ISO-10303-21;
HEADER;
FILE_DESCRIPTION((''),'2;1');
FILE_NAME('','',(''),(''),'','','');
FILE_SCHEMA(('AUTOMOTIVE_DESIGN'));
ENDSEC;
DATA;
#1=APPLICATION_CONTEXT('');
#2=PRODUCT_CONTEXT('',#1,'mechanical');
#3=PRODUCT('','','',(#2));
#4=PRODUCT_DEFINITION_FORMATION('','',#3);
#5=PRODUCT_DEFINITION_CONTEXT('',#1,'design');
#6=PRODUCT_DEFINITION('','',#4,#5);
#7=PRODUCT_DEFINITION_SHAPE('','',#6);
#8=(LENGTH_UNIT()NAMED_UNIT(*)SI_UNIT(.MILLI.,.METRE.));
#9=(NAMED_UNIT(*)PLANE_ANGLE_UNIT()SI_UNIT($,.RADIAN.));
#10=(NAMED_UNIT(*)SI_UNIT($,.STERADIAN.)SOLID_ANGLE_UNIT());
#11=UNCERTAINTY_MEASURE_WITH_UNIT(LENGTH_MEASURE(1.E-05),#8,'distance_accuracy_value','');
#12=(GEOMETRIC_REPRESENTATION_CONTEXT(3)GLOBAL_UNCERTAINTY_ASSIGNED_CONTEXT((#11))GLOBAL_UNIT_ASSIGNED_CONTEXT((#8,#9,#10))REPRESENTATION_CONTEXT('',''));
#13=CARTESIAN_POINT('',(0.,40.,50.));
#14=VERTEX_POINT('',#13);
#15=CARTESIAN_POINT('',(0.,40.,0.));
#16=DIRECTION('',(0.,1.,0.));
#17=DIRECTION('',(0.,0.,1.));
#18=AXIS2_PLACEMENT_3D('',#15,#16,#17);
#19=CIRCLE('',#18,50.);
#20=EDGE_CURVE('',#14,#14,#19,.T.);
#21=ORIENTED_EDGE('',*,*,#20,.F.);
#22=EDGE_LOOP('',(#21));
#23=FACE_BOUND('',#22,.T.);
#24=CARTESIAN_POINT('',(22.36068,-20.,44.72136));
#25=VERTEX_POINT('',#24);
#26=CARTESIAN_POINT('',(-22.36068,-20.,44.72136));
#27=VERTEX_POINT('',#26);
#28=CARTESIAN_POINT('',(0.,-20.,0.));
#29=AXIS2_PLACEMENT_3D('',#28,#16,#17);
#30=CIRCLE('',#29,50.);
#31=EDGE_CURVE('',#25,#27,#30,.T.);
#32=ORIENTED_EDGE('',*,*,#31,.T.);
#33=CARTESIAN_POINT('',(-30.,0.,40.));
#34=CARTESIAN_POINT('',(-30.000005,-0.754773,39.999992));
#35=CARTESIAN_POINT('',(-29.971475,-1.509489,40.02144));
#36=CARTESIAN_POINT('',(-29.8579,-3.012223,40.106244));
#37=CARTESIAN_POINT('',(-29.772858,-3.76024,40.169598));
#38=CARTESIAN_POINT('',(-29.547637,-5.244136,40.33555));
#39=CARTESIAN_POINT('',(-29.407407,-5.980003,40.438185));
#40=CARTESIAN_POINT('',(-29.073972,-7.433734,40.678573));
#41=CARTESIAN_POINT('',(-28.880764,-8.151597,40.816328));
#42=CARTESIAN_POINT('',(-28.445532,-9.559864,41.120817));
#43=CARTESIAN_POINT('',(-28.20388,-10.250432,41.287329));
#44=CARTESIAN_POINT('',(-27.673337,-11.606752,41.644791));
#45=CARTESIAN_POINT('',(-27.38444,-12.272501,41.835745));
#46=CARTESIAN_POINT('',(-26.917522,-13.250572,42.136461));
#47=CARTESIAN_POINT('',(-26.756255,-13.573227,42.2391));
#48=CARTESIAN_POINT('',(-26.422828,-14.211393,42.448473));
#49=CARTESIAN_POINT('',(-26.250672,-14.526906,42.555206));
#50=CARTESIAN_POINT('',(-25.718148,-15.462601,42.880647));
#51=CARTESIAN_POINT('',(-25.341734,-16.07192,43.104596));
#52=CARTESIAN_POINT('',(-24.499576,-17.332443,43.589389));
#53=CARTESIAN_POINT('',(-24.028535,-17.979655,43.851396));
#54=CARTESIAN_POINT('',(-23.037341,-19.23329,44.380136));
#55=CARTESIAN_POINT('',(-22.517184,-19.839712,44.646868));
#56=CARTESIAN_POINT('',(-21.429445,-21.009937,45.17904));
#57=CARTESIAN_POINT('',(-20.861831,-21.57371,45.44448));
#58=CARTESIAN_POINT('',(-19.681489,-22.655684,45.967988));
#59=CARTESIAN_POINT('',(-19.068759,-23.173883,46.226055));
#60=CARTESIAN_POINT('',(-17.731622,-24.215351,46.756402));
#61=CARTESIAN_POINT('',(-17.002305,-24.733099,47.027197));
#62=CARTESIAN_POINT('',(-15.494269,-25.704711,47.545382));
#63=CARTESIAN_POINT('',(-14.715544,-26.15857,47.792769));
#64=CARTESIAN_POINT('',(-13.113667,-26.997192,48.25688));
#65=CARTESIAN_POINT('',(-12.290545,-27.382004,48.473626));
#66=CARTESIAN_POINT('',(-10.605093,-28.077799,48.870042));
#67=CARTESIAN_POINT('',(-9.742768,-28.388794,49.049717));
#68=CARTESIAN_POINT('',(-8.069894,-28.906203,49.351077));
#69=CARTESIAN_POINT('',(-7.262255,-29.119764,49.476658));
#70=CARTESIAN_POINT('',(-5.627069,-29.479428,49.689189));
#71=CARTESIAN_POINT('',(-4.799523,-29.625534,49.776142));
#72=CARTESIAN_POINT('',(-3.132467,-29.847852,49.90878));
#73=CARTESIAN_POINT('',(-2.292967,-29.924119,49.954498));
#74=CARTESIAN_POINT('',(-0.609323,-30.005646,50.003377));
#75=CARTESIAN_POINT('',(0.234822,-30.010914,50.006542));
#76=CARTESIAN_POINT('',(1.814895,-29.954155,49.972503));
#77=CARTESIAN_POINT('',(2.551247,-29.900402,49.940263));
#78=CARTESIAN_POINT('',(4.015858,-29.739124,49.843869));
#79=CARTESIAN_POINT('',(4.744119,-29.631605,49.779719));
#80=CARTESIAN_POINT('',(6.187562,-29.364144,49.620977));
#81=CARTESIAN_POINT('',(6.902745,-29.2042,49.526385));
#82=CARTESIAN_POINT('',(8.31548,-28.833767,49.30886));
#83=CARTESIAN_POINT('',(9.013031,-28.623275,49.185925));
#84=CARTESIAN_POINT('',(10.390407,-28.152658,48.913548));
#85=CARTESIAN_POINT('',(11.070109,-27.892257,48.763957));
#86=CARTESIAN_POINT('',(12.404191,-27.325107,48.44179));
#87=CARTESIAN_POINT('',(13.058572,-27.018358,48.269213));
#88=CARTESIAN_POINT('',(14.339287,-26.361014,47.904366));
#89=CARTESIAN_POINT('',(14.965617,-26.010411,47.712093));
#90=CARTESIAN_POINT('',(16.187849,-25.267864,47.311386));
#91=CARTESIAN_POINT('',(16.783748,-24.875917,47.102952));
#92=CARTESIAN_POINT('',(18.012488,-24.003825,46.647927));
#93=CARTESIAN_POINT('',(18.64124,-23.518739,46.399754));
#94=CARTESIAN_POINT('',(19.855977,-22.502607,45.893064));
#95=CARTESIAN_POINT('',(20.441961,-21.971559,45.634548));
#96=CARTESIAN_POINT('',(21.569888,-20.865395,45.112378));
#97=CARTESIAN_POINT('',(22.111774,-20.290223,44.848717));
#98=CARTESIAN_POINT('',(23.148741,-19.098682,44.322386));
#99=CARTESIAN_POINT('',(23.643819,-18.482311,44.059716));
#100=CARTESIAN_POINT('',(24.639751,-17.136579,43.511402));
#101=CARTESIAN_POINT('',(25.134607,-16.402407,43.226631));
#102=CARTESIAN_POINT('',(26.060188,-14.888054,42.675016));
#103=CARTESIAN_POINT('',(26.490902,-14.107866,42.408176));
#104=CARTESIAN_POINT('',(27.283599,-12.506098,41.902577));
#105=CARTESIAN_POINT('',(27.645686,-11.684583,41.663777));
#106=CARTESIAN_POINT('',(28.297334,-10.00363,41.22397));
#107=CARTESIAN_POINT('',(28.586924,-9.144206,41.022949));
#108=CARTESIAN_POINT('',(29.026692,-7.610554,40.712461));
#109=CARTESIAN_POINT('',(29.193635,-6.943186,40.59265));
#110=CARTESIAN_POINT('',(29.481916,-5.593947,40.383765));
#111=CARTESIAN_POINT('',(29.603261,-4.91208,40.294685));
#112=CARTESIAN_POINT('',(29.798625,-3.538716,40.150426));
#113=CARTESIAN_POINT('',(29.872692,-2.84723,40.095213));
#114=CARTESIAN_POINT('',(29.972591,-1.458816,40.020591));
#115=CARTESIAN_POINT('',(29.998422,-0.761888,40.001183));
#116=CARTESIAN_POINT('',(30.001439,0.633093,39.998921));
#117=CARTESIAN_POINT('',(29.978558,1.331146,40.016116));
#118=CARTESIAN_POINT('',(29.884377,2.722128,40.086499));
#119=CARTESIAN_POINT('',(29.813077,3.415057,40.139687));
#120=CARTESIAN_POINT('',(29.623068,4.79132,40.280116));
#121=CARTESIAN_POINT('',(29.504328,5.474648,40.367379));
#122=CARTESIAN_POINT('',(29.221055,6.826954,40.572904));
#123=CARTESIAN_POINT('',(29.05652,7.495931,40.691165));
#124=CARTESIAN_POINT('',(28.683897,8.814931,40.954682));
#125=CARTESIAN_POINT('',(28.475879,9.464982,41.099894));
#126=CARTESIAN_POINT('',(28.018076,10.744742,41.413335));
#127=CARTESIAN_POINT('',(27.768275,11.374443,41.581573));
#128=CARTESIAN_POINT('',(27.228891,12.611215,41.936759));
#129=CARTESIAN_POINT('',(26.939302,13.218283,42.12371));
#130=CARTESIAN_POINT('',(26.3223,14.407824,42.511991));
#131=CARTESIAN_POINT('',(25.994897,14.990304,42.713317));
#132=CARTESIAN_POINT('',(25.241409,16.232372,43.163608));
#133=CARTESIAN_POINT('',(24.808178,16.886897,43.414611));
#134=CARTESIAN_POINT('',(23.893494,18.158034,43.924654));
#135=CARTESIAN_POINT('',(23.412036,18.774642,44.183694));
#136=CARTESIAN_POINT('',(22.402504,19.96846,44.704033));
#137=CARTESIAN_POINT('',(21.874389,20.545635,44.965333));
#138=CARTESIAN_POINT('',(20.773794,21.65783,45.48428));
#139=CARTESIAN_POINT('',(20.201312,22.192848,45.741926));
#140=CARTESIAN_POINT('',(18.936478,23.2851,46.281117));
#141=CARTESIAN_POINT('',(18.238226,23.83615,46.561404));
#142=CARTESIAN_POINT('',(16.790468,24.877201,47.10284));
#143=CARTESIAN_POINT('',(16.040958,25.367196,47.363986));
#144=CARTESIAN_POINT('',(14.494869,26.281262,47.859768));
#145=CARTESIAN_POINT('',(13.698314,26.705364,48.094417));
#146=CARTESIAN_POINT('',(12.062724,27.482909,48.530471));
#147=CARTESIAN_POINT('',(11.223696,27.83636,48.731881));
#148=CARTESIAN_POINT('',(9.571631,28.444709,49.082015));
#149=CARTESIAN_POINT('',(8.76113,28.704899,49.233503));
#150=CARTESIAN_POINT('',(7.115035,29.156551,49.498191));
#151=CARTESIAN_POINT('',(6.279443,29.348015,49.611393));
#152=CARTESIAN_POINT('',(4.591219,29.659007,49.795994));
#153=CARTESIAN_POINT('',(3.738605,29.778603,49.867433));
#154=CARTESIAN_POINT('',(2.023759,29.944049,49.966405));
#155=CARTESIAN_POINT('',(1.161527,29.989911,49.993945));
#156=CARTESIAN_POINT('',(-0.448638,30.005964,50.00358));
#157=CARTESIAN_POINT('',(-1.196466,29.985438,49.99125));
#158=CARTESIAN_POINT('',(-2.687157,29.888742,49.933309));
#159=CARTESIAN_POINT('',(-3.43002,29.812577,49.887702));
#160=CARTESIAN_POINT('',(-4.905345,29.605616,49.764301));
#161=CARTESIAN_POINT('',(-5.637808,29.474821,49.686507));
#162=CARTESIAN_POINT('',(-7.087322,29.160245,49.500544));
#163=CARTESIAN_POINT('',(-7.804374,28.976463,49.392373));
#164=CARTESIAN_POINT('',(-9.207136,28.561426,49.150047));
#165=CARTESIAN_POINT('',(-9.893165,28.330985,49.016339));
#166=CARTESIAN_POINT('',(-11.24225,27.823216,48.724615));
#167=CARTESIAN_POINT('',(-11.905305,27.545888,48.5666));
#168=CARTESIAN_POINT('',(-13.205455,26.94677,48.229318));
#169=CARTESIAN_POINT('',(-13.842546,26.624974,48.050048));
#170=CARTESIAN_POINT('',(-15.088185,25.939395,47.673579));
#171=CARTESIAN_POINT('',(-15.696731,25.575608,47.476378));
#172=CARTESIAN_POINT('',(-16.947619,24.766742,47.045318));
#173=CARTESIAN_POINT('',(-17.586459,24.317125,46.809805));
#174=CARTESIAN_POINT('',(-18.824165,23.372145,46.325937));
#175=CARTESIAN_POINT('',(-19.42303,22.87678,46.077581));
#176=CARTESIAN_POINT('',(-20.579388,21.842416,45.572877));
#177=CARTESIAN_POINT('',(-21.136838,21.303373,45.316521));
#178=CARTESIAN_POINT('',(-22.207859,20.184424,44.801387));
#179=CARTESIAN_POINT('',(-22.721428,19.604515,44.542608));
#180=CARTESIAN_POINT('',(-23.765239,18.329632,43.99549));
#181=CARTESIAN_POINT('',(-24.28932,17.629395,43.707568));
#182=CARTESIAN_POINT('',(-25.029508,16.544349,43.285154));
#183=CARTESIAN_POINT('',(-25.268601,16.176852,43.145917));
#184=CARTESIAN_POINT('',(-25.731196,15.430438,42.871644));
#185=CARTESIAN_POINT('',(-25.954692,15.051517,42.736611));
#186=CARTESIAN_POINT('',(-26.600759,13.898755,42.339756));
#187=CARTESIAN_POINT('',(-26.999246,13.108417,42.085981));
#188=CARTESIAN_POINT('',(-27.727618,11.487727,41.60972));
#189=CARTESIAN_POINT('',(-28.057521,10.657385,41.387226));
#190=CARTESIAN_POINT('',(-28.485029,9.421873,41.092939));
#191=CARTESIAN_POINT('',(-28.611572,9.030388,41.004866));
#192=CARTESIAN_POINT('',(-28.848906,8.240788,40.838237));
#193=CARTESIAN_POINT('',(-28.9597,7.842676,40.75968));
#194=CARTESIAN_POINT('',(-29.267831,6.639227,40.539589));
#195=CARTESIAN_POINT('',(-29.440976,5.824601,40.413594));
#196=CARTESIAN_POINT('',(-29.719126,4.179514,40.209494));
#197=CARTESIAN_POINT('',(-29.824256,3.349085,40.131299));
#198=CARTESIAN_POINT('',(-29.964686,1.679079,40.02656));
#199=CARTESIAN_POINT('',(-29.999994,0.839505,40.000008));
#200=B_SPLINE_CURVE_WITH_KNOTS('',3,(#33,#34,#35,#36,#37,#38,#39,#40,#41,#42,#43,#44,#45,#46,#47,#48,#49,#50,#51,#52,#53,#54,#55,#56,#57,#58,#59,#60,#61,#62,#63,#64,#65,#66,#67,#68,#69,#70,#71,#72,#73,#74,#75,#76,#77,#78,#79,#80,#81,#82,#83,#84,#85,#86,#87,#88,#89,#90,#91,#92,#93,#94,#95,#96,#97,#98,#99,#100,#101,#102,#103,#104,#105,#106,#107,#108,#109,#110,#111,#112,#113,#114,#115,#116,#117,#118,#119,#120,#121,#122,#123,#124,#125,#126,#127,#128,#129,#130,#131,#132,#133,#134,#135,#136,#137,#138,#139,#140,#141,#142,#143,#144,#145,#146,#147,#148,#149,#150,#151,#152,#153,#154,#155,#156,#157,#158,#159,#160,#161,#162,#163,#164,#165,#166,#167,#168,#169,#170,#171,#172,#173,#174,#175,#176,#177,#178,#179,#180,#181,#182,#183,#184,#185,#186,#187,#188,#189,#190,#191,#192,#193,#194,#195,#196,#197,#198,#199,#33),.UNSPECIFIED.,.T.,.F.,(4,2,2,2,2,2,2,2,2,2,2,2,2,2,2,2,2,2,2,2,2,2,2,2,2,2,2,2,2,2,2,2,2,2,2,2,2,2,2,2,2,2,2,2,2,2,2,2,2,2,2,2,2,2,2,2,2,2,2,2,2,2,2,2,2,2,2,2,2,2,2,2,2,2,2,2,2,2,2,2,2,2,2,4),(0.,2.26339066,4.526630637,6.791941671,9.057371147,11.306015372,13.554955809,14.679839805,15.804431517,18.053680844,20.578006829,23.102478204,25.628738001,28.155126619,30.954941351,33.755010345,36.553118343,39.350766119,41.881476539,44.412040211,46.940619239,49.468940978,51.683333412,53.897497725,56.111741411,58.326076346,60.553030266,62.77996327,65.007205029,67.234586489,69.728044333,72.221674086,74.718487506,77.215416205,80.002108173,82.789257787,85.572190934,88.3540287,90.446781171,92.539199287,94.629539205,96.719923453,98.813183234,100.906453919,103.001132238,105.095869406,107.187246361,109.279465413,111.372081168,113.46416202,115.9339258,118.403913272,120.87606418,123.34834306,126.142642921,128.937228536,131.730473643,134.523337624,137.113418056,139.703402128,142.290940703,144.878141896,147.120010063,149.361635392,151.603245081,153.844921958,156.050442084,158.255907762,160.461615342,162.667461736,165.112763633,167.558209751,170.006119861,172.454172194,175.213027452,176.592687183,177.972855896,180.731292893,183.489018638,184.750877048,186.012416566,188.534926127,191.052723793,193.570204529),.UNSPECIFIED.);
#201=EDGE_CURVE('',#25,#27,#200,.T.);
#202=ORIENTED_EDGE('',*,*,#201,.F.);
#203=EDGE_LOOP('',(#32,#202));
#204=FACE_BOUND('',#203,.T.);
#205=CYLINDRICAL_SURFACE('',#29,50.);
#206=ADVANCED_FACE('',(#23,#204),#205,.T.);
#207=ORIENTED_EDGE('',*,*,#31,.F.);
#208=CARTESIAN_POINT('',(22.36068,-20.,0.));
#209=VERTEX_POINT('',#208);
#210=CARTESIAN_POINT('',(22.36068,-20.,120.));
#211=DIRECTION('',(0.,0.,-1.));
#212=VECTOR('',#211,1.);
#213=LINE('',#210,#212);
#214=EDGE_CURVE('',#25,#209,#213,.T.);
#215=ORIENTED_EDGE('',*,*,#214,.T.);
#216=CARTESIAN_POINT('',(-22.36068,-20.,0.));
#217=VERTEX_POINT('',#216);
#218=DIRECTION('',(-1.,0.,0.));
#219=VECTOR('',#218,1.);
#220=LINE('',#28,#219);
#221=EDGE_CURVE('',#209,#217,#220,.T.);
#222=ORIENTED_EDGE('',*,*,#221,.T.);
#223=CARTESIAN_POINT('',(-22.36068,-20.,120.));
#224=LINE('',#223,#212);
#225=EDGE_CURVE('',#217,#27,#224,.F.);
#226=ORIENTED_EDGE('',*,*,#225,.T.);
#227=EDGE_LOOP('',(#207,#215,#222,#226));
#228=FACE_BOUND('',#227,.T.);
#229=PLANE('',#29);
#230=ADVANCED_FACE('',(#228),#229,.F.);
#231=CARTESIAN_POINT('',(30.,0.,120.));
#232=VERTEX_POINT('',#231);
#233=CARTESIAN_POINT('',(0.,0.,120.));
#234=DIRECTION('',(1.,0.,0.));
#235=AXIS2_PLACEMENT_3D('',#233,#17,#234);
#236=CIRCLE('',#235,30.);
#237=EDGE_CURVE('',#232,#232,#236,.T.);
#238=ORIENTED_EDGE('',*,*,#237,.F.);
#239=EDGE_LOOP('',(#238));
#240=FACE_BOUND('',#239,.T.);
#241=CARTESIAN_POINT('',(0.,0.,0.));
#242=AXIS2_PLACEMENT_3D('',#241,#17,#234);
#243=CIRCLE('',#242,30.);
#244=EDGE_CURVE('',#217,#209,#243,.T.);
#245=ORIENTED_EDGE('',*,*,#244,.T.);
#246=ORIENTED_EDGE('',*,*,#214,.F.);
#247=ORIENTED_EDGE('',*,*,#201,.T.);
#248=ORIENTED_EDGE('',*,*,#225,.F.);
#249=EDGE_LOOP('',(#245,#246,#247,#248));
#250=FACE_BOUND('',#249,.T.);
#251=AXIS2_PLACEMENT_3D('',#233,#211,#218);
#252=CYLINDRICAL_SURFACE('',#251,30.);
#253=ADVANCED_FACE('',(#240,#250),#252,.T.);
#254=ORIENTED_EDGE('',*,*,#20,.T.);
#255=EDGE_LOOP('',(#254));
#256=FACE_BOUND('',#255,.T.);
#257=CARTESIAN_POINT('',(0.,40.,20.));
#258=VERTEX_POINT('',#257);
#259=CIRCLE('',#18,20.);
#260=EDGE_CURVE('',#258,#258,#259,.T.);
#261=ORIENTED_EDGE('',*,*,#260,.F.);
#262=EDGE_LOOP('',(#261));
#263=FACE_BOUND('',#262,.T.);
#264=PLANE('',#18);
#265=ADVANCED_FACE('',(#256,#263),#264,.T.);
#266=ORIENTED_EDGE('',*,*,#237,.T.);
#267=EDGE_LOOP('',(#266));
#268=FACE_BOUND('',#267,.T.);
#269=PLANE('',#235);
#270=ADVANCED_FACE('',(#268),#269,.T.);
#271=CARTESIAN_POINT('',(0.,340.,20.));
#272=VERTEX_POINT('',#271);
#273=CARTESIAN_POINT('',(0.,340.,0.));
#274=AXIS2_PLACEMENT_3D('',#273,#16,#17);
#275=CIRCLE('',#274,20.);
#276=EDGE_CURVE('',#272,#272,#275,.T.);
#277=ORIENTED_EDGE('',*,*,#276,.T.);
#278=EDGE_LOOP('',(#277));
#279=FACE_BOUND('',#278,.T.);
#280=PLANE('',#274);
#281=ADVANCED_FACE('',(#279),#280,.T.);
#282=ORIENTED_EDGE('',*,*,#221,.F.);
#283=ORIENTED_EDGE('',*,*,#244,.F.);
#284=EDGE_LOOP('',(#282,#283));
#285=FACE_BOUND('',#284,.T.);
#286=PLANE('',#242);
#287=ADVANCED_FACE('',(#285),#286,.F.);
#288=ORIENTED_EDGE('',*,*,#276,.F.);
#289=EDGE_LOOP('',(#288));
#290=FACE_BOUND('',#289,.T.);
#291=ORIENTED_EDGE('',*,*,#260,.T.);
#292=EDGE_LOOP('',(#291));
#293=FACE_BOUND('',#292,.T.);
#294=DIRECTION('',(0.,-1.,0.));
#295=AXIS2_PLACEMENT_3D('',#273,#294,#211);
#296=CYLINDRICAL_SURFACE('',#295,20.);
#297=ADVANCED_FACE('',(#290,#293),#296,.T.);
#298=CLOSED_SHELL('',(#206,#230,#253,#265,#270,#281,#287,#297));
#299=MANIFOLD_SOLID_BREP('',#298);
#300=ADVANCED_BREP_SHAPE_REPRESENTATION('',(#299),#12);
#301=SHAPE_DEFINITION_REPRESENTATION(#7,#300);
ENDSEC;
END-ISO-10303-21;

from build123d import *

# Parameters (mm, degrees)
SKETCH1_R                = 30
BOSS_EXTRUDE1_DEPTH      = 120
BOSS_EXTRUDE2_DEPTH      = 40
BOSS_EXTRUDE2_DEPTH_BACK = 20
SKETCH3_R                = 50
SKETCH4_R                = 20
BOSS_EXTRUDE3_DEPTH      = 300


with BuildPart() as part:
    # Sketch1 → Boss-Extrude1 (new body)
    with BuildSketch(Plane.XY):
        with Locations(Location((0, 0, 0), (0, 0, 180))):
            Circle(SKETCH1_R)
    extrude(amount=BOSS_EXTRUDE1_DEPTH)

    # Sketch3 → Boss-Extrude2 (add, two sides: drawn at the far end of the back side and taken through both)
    with BuildSketch(Plane(origin=(0, 0, 0), x_dir=(-1, 0, 0), z_dir=(0, 1, 0)).offset(-BOSS_EXTRUDE2_DEPTH_BACK)):
        with Locations(Location((0, 0, 0), (0, 0, 90))):
            Circle(SKETCH3_R)
    extrude(amount=BOSS_EXTRUDE2_DEPTH + BOSS_EXTRUDE2_DEPTH_BACK)

    # Sketch4 → Boss-Extrude3 (add)
    with BuildSketch(Plane(origin=(0, 40, 0), x_dir=(1, 0, 0), z_dir=(0, 1, 0))):
        with Locations(Location((0, 0, 0), (0, 0, 270))):
            Circle(SKETCH4_R)
    extrude(amount=BOSS_EXTRUDE3_DEPTH)


solid = part.part
